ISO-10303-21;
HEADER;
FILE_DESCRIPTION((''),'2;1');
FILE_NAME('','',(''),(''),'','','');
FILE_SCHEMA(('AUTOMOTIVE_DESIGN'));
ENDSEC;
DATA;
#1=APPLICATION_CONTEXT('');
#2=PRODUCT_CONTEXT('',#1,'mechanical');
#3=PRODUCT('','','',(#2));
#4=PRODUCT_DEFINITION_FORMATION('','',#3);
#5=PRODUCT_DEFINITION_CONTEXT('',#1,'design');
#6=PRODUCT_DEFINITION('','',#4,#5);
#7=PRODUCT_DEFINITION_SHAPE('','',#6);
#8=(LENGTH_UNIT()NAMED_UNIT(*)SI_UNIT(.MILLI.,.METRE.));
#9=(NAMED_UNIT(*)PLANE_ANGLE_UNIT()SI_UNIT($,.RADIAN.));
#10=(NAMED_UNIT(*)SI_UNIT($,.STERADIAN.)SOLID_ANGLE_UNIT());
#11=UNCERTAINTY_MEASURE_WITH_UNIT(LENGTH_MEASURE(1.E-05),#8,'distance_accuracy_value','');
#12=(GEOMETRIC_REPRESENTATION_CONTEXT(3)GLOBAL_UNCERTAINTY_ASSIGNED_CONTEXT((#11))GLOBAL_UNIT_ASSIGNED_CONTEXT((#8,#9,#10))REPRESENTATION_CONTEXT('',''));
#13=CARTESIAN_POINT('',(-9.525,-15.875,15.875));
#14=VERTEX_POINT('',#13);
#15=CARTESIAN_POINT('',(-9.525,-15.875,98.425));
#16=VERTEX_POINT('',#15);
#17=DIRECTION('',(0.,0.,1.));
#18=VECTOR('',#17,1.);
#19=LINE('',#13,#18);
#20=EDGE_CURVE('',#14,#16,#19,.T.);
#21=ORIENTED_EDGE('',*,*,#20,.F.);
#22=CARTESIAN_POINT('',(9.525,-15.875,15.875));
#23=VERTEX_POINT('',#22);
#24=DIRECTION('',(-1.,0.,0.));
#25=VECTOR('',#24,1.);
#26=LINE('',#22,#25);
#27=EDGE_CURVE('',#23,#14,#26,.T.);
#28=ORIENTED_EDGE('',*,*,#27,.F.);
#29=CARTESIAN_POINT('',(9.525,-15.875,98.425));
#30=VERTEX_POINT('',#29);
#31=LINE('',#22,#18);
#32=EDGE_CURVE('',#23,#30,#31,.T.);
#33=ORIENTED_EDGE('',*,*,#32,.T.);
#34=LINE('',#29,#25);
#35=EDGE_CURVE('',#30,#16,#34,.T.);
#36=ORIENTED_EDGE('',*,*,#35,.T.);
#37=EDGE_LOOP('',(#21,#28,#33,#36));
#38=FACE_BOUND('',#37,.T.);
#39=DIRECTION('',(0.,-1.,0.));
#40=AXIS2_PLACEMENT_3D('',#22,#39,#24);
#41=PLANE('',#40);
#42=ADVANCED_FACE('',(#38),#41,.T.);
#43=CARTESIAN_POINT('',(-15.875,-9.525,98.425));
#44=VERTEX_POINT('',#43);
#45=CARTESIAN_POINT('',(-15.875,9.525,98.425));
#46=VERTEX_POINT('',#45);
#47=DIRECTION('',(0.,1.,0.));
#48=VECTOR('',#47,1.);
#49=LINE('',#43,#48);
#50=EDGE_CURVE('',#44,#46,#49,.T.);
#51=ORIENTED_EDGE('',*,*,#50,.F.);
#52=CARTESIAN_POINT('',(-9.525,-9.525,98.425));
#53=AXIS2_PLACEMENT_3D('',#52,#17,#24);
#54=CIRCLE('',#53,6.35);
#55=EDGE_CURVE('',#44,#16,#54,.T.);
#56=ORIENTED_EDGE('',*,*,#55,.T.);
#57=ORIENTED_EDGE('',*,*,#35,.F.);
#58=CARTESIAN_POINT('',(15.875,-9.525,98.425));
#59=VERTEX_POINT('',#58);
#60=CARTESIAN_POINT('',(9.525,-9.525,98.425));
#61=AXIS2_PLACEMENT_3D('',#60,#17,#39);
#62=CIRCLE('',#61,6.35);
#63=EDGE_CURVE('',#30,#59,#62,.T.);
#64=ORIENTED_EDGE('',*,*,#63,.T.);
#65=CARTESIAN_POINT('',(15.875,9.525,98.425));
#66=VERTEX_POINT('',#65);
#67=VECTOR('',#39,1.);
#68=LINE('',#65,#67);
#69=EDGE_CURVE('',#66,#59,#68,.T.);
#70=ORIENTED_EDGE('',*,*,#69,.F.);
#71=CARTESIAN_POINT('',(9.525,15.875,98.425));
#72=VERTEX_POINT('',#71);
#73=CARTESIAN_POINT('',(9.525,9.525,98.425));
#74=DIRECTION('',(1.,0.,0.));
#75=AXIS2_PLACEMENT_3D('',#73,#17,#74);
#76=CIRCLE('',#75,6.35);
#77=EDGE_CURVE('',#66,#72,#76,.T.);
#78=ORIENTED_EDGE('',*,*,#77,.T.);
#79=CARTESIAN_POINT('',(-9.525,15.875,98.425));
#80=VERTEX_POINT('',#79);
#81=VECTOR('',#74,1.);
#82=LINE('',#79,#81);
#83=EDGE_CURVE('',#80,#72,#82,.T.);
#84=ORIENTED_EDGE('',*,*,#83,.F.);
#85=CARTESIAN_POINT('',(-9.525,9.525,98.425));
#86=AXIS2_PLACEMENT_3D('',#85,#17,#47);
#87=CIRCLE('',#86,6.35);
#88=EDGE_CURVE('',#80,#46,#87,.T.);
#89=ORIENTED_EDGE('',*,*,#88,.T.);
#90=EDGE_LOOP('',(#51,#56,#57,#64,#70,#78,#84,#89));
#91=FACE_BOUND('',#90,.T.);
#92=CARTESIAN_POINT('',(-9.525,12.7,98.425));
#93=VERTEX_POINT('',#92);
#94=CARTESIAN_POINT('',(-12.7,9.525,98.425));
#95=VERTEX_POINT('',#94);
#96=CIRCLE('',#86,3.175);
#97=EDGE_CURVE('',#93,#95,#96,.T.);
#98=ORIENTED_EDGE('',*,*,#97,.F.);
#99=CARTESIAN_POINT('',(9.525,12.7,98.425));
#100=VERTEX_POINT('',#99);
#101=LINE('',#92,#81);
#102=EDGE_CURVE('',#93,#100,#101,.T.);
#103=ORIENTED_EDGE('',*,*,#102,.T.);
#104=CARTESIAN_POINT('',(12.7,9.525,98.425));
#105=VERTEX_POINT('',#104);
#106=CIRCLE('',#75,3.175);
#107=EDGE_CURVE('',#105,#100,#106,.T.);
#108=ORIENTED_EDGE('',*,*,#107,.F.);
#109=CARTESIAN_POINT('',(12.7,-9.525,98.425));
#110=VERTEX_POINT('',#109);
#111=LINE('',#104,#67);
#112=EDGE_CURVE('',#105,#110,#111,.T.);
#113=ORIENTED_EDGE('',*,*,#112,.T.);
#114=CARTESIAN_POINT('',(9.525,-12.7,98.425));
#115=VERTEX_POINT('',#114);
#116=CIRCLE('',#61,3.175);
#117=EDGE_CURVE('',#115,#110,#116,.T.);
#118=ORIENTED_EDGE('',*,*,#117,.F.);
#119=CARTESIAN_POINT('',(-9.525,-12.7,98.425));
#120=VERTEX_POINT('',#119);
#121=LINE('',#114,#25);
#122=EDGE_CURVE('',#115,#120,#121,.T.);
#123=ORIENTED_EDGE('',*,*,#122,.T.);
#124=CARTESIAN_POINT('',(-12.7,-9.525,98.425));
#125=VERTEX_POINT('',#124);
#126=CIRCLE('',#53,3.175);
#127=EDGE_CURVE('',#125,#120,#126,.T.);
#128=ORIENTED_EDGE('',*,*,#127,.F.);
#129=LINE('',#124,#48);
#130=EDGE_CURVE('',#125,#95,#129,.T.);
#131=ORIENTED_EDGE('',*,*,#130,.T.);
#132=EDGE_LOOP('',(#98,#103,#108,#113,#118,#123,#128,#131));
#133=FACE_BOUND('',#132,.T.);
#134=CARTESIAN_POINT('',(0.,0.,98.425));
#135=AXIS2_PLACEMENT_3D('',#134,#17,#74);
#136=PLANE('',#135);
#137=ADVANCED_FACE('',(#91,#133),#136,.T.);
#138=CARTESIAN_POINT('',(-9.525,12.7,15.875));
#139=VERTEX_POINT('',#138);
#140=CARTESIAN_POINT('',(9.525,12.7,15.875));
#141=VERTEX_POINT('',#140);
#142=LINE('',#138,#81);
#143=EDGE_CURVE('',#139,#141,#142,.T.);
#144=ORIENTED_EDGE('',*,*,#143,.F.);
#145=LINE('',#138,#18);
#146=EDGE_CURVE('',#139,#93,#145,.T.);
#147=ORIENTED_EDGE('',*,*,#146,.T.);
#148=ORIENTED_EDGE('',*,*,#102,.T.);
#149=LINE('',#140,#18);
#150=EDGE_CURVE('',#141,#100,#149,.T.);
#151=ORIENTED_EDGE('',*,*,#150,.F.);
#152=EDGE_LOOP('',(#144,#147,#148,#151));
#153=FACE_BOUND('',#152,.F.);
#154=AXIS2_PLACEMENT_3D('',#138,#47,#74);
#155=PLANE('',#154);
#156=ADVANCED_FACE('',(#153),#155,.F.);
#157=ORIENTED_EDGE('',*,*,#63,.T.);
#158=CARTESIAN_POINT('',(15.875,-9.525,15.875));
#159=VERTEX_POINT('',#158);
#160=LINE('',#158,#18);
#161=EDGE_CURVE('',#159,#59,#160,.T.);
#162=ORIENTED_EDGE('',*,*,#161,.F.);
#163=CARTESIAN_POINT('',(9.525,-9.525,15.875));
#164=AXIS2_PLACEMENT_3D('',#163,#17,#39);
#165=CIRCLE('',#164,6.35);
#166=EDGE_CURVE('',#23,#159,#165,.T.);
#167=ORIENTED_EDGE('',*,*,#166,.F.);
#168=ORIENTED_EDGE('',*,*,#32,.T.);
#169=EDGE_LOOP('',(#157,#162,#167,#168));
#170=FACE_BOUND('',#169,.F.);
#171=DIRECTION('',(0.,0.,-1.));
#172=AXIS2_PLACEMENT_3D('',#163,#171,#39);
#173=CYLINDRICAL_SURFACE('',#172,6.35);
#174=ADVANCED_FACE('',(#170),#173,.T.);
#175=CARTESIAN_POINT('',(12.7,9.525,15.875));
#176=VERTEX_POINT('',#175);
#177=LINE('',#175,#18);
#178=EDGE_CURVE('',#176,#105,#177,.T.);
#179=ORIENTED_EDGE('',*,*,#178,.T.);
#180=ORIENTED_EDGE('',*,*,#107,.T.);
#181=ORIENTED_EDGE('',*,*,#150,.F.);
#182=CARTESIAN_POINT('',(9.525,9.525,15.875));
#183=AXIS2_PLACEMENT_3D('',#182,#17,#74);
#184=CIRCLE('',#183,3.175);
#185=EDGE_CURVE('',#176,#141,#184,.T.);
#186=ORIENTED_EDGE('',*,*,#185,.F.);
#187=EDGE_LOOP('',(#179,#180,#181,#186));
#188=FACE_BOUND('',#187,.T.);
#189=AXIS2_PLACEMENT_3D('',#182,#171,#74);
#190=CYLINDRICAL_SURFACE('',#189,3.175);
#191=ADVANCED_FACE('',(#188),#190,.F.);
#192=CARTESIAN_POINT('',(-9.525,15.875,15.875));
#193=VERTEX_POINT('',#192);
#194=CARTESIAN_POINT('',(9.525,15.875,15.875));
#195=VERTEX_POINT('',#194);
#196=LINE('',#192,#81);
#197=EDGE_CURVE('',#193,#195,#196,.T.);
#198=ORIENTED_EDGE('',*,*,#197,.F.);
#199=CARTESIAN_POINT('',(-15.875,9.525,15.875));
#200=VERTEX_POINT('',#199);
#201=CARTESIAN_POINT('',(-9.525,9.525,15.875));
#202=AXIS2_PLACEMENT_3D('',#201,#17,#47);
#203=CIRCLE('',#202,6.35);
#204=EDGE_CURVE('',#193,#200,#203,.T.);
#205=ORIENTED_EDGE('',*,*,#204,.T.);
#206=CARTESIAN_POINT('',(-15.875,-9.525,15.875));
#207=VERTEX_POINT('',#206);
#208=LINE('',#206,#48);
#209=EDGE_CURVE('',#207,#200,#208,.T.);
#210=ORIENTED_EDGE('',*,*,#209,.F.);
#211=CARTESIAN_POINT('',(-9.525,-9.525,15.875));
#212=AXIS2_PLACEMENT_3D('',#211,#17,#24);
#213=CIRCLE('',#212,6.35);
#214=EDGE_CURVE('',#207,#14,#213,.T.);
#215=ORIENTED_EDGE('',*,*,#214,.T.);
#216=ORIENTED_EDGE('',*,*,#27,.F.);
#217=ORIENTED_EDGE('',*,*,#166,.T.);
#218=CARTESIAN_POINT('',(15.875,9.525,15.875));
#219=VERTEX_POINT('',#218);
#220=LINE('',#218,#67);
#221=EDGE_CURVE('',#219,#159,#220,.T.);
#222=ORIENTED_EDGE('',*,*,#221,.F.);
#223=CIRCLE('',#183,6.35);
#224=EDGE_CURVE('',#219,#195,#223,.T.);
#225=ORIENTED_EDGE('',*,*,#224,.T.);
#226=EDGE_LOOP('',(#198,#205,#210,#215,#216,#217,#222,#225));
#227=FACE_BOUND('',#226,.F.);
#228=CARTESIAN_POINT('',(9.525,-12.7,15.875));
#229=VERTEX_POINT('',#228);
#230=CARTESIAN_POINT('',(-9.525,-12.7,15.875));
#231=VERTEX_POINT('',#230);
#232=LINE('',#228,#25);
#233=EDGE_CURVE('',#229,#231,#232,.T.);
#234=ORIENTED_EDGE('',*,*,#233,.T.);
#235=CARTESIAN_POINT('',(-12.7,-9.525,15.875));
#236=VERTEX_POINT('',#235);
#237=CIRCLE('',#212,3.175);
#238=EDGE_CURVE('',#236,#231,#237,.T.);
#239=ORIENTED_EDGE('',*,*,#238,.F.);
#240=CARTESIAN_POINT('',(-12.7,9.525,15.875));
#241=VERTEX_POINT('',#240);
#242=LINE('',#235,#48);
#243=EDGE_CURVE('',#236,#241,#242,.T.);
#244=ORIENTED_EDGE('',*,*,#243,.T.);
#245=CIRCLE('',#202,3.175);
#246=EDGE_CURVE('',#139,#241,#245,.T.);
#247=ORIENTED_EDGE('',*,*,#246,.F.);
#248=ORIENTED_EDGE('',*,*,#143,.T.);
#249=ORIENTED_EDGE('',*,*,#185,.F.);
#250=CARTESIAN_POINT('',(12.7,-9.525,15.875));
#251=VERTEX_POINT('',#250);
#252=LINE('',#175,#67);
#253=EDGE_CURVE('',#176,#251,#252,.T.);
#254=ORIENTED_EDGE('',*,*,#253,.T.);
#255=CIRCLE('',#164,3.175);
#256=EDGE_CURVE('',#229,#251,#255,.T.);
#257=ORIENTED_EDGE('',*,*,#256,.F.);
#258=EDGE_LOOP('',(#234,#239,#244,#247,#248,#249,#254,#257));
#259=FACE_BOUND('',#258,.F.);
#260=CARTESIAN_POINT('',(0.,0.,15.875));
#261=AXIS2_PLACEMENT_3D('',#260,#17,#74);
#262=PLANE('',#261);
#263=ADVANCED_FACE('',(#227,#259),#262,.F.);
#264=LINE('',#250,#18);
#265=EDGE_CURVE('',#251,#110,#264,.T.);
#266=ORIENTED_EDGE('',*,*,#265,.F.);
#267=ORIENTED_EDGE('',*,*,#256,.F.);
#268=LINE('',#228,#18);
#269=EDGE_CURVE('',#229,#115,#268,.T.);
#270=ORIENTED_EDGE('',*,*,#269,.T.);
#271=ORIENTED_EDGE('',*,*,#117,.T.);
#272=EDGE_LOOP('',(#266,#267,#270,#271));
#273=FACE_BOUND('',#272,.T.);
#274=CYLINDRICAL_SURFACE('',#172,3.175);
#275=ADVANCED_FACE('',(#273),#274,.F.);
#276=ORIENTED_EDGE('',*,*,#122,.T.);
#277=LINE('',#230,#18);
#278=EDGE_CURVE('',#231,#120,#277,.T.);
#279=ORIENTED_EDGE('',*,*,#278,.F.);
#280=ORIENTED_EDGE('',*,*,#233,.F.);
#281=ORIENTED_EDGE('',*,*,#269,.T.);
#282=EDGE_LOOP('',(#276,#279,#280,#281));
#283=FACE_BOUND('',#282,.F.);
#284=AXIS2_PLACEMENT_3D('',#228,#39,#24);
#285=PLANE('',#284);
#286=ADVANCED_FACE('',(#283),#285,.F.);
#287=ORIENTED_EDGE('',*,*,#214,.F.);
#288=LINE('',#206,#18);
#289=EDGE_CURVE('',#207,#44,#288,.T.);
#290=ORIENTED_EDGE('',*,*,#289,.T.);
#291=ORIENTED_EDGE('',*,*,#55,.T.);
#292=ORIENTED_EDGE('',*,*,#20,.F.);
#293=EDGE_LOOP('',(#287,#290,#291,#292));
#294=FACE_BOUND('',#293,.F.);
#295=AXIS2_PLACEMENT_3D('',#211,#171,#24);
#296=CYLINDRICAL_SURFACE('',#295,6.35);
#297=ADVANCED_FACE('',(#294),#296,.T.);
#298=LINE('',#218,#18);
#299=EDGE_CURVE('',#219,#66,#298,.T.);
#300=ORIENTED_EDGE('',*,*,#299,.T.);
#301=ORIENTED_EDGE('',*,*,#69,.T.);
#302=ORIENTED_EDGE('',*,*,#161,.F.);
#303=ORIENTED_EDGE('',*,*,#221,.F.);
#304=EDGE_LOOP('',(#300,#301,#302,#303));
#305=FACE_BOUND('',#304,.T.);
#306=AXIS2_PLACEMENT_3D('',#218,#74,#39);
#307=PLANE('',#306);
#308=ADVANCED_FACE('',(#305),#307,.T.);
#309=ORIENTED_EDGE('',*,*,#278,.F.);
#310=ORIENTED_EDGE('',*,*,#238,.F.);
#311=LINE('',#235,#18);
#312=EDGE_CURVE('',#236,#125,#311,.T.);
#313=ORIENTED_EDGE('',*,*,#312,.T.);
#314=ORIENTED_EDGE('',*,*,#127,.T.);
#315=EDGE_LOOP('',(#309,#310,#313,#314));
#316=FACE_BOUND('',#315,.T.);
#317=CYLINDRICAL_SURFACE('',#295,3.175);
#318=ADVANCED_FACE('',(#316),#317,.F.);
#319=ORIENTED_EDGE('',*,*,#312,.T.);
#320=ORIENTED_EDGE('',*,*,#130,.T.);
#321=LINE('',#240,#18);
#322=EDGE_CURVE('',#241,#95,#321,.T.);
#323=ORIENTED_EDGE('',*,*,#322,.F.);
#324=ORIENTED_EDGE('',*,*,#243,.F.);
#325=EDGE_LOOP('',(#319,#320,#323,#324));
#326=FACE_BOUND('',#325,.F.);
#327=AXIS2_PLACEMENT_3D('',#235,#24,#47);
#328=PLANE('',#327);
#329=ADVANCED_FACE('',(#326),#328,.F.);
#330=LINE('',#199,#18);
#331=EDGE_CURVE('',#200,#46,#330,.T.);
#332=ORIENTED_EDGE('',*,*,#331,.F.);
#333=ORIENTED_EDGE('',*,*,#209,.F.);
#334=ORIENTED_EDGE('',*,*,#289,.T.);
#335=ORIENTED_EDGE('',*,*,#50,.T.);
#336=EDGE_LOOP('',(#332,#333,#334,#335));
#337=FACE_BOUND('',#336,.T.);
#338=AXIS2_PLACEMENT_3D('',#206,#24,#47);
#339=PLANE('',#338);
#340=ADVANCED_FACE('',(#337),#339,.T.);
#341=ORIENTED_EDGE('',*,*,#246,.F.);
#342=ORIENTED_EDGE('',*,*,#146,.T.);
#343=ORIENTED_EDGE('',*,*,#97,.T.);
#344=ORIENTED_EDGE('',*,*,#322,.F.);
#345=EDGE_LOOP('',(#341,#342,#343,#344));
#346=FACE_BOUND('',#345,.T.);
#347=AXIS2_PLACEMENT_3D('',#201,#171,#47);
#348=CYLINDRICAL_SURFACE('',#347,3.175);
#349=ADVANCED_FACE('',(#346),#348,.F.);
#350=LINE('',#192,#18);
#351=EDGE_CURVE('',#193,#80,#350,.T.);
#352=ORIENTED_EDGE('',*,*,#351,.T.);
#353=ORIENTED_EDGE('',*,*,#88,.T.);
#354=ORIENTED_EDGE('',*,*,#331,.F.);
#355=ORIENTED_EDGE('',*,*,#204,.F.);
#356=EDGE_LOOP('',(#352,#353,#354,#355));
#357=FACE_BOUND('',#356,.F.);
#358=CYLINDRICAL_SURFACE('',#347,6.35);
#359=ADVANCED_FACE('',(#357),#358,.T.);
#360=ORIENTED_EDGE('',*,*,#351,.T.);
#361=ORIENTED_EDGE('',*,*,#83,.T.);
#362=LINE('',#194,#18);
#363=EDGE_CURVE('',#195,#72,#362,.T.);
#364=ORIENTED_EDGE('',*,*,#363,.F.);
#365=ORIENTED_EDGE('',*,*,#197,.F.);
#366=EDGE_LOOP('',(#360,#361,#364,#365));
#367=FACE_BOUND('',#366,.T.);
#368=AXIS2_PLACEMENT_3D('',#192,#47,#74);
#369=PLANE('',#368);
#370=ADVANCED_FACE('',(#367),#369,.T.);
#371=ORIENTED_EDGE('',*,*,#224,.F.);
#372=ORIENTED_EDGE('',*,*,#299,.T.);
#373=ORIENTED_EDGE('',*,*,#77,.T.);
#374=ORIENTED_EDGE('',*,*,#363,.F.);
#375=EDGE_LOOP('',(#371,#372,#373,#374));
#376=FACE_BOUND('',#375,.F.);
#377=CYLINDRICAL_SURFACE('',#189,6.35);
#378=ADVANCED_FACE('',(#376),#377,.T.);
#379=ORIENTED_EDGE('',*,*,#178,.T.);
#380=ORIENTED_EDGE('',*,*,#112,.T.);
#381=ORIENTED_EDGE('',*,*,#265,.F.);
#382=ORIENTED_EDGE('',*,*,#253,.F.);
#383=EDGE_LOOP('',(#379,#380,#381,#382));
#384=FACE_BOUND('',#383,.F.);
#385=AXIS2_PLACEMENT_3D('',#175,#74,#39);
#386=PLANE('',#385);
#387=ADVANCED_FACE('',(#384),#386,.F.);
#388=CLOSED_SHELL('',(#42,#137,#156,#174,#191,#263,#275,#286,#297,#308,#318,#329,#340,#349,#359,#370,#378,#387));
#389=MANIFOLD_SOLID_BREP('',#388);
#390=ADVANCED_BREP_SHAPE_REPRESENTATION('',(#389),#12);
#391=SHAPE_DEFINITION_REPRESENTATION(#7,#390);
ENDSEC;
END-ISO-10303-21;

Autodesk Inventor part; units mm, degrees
ref_plane "Start plane" through (0, 0, 15.875) normal (0, 0, 1) x (1, 0, 0)
ref_plane "End plane" through (0, 0, 98.425) normal (0, 0, 1) x (1, 0, 0)
sketch "Sketch" plane through (0, 0, 0) normal (0, 0, 1) x (1, 0, 0)
  line L0 (-15.875, -9.525) -> (-15.875, 9.525)
  line L1 (-9.525, 15.875) -> (9.525, 15.875)
  line L2 (15.875, 9.525) -> (15.875, -9.525)
  line L3 (9.525, -15.875) -> (-9.525, -15.875)
  arc A0 (-15.875, -9.525) -> (-9.525, -15.875) centre (-9.525, -9.525) ccw
  arc A1 (-9.525, 15.875) -> (-15.875, 9.525) centre (-9.525, 9.525) ccw
  arc A2 (15.875, 9.525) -> (9.525, 15.875) centre (9.525, 9.525) ccw
  arc A3 (9.525, -15.875) -> (15.875, -9.525) centre (9.525, -9.525) ccw
  arc A4 (-9.525, 12.7) -> (-12.7, 9.525) centre (-9.525, 9.525) ccw
  line L4 (-9.525, 12.7) -> (9.525, 12.7)
  arc A5 (12.7, 9.525) -> (9.525, 12.7) centre (9.525, 9.525) ccw
  line L5 (12.7, 9.525) -> (12.7, -9.525)
  arc A6 (9.525, -12.7) -> (12.7, -9.525) centre (9.525, -9.525) ccw
  line L6 (9.525, -12.7) -> (-9.525, -12.7)
  arc A7 (-12.7, -9.525) -> (-9.525, -12.7) centre (-9.525, -9.525) ccw
  line L7 (-12.7, -9.525) -> (-12.7, 9.525)
  line L8 (0, 24.0662) -> (0, -24.0662) construction
  line L9 (-24.0662, 0) -> (24.0662, 0) construction
  dimension "d10" = 31.75
  dimension "d11" = 31.75
  dimension "d12" = 3.175
  dimension "d15" = 15.875
  dimension "d16" = 15.875
  dimension "d17" = 6.35
extrude "Body" add sketch "Sketch" along normal up to surface (82.55 mm away) from surface at 15.875
sketch "Sketch3" plane through (0, 0, 0) normal (0, 0, 1) x (1, 0, 0)
  line L0 (0, 0) -> (10, 0)
ref_plane "Work Plane3" through (0, 0, 0) normal (0, -1, 0) x (1, 0, 0)
sketch "Sketch4" plane through (0, 0, 0) normal (0, -1, 0) x (1, 0, 0)
  line L0 (-2, 15.875) -> (12, 15.875)
  line L1 (-2, 98.425) -> (12, 98.425)
  dimension "d19" = 82.55
ref_plane "Work Plane4" through (9.525, 0, 98.425) normal (0, 0, 1) x (1, 0, 0)
split "Split1" plane through (9.525, 0, 98.425) removes the side toward (0, 0, 1)
ref_plane "Work Plane5" through (9.525, -609.6, 15.875) normal (0, 0, -1) x (-1, 0, 0)
split "Split2" plane through (9.525, -609.6, 15.875) removes the side toward (0, 0, -1)
equation "\"d10\" = G_H"
equation "\"d11\" = G_W"
equation "\"d12\" = G_T"
equation "\"d15\" = 0.5 * d10"
equation "\"d16\" = 0.5 * d11"
equation "\"d17\" = G_IR"
equation "\"d3\" = G_L"
equation "\"G_W\" = 31.75"
equation "\"G_H\" = 31.75"
equation "\"G_T\" = 3.175"
equation "\"G_IR\" = 6.35"
equation "\"G_L\" = d19"
equation "\"G_OFFSET_START\" = -15.875"
equation "\"G_OFFSET_END\" = -15.875"
equation "\"d13\" = -G_OFFSET_START"
equation "\"d14\" = G_OFFSET_END + B_L"
equation "\"B_L\" = 114.3"
properties part number "AISC HSS - 1-1/4x1-1/4x1/8 - 3.25" material "Steel, Mild"
